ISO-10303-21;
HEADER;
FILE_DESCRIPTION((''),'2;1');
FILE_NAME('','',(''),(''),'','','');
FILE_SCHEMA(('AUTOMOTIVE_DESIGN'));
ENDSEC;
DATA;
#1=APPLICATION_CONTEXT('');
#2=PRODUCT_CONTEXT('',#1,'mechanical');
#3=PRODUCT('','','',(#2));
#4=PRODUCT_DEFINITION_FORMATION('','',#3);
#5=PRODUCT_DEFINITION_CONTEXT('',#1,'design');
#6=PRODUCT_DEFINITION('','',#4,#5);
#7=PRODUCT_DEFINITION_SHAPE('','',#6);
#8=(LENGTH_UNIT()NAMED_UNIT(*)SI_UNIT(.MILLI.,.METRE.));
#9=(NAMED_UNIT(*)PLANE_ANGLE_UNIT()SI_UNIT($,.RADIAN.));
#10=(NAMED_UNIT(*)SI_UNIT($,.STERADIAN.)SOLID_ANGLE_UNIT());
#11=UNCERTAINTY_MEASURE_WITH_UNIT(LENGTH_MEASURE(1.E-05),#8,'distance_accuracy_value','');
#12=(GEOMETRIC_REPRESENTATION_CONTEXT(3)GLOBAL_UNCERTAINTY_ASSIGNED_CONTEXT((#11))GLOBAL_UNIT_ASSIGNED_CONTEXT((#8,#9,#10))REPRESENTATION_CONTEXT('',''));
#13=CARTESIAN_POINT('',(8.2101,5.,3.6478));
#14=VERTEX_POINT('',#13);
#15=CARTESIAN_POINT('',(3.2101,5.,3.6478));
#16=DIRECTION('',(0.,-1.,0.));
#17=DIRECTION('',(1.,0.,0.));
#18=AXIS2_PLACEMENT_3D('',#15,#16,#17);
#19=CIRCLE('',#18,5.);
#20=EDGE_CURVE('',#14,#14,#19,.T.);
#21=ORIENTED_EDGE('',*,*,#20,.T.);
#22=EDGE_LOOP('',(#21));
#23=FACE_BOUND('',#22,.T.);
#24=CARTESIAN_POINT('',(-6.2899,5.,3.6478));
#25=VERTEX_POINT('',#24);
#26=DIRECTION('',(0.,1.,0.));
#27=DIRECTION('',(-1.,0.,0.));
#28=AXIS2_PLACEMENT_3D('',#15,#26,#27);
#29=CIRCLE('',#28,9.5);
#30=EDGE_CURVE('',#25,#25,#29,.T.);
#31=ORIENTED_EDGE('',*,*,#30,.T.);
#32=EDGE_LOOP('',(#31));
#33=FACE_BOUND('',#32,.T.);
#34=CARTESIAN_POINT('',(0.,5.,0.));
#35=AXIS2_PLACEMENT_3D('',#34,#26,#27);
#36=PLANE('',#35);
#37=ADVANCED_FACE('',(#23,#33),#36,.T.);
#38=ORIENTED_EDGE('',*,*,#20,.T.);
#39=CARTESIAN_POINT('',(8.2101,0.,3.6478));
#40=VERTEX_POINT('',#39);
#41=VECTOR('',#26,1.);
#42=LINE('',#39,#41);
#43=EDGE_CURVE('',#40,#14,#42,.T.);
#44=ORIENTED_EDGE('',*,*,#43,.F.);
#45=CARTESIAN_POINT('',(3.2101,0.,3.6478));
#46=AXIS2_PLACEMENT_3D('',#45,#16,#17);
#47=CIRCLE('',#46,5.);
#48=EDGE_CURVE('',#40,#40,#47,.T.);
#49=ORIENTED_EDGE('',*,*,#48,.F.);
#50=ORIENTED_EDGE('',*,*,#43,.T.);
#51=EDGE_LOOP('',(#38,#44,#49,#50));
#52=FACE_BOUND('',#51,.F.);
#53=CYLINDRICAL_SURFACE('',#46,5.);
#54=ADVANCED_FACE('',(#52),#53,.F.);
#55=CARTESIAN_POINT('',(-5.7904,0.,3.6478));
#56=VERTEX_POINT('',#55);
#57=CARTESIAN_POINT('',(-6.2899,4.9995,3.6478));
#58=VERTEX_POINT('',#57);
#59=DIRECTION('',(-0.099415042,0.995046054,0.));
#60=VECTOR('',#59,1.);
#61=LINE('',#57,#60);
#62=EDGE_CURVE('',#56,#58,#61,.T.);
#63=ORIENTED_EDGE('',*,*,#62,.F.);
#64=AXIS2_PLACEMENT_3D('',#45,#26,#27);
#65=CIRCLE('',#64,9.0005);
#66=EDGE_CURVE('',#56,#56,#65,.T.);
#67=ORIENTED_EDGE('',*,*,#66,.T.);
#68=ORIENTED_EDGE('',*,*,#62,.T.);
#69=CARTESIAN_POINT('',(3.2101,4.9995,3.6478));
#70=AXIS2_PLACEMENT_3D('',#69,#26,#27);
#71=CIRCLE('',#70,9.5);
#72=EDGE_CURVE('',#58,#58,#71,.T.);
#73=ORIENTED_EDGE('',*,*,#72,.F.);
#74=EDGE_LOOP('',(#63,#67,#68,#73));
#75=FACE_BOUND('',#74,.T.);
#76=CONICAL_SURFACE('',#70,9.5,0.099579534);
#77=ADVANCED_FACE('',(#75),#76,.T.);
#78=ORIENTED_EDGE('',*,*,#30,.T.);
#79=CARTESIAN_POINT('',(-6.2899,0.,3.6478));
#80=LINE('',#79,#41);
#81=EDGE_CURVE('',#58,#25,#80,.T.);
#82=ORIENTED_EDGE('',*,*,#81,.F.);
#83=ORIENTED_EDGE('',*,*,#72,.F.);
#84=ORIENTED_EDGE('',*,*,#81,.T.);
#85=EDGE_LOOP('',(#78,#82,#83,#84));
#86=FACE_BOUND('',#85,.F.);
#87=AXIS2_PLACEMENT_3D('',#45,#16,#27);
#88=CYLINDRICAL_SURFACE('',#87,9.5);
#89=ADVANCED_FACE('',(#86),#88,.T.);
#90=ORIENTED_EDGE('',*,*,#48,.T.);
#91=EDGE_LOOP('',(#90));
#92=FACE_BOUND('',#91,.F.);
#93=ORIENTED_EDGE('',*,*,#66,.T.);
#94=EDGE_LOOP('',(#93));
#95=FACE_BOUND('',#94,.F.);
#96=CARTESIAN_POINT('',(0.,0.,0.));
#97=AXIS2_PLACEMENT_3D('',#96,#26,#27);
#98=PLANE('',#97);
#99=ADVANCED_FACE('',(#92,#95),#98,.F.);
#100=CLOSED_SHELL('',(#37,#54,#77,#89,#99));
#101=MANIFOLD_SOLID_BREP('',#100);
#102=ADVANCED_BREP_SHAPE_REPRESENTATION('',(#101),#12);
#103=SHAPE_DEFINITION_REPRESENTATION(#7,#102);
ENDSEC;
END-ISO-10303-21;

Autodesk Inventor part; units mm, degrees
ref_plane "YZ Plane" through (0, 0, 0) normal (1, 0, 0) x (0, 1, 0)
ref_plane "XZ Plane" through (0, 0, 0) normal (0, 1, 0) x (-1, 0, 0)
ref_plane "XY Plane" through (0, 0, 0) normal (0, 0, 1) x (1, 0, 0)
sketch "Sketch1" plane through (0, 0, 0) normal (0, 1, 0) x (-1, 0, 0)
  circle A0 centre (-3.2101, 3.6478) radius 9.5
  point P0 (0, 0)
  dimension "d0" = 19
extrude "Extrusion1" add sketch "Sketch1" along normal blind 5
chamfer "Chamfer1" distance 0.5 distance2 5 1 edges at (12.7101, 0, 3.6478) measured on face at (4.333, 0, 5.8992)
sketch "Sketch2" plane through (3.2101, 0, 3.6478) normal (0, -1, 0) x (1, 0, 0)
  circle A0 centre (0, 0) radius 5
  point P0 (-3.2101, -3.6478)
  dimension "d6" = 10
extrude "Extrusion2" cut sketch "Sketch2" against normal blind 5
properties part number "kop"
